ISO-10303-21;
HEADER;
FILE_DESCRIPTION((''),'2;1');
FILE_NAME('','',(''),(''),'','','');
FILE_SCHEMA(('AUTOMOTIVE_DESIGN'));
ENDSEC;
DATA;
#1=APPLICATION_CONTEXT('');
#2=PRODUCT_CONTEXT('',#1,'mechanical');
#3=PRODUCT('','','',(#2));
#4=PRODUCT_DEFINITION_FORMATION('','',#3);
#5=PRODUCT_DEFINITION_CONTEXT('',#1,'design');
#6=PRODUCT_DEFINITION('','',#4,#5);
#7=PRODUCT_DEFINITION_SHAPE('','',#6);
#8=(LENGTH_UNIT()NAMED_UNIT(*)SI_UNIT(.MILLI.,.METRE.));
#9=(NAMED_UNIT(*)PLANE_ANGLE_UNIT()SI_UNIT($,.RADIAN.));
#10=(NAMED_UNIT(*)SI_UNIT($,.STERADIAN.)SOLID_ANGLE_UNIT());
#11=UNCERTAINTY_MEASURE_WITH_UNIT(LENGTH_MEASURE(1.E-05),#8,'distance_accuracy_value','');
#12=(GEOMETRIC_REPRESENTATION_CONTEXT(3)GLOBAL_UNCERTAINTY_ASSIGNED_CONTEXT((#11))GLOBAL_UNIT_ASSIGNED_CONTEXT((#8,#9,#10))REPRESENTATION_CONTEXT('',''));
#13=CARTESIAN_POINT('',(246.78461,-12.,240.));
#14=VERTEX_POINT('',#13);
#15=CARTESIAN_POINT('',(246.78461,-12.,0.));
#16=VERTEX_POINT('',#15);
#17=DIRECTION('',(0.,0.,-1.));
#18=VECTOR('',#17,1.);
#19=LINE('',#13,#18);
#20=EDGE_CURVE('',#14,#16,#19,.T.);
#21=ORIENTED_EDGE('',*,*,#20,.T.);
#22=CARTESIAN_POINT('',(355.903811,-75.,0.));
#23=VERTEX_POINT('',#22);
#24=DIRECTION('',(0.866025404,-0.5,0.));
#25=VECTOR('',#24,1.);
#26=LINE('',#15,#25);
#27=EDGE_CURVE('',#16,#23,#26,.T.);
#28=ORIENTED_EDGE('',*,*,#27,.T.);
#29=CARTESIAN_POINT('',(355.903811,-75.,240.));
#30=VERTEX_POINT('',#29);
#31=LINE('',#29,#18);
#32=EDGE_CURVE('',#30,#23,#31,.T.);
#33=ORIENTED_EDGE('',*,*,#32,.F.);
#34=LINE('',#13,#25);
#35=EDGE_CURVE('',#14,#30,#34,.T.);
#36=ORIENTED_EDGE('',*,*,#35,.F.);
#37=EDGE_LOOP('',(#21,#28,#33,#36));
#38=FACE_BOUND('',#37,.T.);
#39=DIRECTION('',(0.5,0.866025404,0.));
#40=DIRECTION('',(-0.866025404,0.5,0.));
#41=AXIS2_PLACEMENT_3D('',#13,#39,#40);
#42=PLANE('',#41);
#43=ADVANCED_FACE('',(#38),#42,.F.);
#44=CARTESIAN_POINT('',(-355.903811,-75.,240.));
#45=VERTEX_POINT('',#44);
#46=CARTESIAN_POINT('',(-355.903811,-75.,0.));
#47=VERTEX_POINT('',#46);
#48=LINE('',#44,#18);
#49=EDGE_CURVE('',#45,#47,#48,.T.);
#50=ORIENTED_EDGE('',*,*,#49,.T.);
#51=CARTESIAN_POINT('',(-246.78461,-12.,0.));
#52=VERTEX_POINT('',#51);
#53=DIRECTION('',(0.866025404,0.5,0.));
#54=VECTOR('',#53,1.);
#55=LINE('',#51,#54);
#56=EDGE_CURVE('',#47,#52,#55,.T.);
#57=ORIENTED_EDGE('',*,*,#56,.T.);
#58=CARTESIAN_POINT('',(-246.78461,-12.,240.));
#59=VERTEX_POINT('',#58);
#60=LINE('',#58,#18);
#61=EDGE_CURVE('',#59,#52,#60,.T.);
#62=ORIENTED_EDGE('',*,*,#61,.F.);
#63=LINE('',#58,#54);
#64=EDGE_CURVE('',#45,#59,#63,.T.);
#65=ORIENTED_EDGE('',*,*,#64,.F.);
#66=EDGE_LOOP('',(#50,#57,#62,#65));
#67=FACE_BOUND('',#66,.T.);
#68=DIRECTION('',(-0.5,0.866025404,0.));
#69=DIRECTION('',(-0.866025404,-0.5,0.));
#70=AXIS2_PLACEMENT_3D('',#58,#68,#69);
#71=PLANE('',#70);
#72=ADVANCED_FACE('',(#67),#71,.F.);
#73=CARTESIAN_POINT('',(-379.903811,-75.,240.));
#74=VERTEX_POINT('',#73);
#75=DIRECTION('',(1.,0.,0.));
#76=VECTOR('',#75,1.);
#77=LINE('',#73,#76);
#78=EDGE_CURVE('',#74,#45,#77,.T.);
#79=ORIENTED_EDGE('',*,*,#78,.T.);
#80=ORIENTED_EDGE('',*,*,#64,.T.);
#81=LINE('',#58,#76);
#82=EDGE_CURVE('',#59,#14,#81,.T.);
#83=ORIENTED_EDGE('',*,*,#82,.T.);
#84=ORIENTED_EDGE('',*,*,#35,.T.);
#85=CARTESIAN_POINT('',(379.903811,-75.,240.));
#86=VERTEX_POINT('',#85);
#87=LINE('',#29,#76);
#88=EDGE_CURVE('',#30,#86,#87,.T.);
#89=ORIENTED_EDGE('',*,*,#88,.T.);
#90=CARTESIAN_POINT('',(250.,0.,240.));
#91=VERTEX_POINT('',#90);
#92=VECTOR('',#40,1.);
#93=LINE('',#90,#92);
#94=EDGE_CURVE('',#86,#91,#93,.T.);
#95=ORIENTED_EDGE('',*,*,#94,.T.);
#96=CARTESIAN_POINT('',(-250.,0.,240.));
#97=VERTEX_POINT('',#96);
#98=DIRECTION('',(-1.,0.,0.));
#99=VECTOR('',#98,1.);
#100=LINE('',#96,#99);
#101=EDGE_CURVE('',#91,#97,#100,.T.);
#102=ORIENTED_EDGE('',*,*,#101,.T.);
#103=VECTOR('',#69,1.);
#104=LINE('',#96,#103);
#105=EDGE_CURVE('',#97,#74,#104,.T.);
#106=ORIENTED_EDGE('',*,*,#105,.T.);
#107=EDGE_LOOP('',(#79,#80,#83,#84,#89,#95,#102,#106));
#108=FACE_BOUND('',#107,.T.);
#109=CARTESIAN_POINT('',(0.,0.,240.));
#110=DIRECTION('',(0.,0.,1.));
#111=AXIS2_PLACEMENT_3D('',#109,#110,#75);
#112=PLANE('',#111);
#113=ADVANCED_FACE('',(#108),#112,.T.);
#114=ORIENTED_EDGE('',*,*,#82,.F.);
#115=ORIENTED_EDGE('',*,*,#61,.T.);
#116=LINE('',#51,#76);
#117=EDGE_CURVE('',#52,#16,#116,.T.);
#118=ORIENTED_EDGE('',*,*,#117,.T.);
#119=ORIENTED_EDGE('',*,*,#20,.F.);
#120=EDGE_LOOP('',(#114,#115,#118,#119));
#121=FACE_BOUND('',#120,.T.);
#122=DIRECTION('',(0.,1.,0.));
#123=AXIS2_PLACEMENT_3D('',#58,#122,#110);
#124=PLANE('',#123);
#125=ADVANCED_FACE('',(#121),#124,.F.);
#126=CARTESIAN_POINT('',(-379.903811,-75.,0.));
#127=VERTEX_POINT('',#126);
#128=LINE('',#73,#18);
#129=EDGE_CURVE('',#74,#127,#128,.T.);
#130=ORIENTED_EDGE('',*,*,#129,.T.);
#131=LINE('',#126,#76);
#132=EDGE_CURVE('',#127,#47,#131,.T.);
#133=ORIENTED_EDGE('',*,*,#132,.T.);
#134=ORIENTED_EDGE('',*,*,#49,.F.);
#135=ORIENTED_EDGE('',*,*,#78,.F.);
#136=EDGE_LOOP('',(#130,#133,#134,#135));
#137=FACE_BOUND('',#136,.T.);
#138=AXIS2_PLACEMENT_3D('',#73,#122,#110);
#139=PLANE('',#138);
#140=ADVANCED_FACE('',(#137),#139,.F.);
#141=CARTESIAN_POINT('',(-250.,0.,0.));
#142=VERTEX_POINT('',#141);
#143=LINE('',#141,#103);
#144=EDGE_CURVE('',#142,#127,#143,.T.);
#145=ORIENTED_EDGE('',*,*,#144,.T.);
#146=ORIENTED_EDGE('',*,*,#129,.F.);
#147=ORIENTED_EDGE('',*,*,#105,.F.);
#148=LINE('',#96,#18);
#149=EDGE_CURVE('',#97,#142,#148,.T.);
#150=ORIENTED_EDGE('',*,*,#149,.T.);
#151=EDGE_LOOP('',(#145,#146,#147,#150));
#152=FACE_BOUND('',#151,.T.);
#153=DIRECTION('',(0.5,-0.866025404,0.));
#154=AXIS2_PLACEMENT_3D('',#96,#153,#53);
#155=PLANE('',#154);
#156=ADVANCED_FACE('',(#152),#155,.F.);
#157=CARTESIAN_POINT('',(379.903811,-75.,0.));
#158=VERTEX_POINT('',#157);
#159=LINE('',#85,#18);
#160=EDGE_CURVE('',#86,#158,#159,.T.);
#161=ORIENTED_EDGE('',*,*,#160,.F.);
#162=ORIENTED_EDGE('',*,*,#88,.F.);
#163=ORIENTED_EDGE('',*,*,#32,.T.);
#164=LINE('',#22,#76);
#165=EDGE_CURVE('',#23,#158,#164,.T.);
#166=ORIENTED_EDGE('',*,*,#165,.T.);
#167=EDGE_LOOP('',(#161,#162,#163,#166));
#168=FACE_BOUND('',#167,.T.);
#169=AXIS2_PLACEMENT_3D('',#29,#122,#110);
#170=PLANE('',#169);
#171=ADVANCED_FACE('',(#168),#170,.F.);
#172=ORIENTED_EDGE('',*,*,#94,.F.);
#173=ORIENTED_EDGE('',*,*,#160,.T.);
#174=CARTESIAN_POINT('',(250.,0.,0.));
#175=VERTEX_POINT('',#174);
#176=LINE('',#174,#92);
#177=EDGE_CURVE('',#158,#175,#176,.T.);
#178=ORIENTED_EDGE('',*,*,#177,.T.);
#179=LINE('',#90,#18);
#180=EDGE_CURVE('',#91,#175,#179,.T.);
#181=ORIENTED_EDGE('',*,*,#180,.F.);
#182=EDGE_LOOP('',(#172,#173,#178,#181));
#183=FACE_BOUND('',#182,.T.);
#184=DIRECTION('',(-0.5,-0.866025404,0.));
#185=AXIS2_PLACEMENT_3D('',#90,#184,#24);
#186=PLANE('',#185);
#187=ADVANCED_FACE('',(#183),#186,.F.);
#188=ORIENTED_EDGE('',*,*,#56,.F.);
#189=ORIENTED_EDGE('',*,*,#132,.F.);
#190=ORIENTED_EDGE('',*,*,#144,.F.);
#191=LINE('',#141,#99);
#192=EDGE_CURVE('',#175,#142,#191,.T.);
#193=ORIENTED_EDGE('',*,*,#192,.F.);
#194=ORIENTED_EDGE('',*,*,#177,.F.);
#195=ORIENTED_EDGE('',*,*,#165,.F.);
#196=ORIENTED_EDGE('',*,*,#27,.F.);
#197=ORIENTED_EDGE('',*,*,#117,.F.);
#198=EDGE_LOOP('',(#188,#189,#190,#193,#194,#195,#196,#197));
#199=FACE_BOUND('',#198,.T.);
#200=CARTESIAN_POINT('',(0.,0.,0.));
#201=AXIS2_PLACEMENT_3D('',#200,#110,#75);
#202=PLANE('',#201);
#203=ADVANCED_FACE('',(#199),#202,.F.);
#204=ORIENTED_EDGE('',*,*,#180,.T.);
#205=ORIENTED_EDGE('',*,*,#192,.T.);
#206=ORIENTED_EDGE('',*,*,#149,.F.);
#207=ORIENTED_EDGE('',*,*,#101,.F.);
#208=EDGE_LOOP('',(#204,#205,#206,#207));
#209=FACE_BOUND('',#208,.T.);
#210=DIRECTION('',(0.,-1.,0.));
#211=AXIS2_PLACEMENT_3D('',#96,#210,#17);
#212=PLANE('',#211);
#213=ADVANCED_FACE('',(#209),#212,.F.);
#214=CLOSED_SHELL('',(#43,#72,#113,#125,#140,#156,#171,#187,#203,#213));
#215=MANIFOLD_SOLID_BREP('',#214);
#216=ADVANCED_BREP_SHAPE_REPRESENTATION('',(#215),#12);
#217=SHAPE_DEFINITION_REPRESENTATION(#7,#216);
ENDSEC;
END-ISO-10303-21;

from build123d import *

# Parameters (mm, degrees)
EXTRUDE_1_DEPTH = 240


with BuildPart() as part:
    # 草图1 → 凸台-拉伸1 (new body)
    with BuildSketch(Plane.XY):
        Polygon((-250, 0), (250, 0), (379.903810568, -75), (355.903810568, -75), (246.784609691, -12), (-246.784609691, -12), (-355.903810568, -75), (-379.903810568, -75), align=None)
    extrude(amount=EXTRUDE_1_DEPTH)


solid = part.part
